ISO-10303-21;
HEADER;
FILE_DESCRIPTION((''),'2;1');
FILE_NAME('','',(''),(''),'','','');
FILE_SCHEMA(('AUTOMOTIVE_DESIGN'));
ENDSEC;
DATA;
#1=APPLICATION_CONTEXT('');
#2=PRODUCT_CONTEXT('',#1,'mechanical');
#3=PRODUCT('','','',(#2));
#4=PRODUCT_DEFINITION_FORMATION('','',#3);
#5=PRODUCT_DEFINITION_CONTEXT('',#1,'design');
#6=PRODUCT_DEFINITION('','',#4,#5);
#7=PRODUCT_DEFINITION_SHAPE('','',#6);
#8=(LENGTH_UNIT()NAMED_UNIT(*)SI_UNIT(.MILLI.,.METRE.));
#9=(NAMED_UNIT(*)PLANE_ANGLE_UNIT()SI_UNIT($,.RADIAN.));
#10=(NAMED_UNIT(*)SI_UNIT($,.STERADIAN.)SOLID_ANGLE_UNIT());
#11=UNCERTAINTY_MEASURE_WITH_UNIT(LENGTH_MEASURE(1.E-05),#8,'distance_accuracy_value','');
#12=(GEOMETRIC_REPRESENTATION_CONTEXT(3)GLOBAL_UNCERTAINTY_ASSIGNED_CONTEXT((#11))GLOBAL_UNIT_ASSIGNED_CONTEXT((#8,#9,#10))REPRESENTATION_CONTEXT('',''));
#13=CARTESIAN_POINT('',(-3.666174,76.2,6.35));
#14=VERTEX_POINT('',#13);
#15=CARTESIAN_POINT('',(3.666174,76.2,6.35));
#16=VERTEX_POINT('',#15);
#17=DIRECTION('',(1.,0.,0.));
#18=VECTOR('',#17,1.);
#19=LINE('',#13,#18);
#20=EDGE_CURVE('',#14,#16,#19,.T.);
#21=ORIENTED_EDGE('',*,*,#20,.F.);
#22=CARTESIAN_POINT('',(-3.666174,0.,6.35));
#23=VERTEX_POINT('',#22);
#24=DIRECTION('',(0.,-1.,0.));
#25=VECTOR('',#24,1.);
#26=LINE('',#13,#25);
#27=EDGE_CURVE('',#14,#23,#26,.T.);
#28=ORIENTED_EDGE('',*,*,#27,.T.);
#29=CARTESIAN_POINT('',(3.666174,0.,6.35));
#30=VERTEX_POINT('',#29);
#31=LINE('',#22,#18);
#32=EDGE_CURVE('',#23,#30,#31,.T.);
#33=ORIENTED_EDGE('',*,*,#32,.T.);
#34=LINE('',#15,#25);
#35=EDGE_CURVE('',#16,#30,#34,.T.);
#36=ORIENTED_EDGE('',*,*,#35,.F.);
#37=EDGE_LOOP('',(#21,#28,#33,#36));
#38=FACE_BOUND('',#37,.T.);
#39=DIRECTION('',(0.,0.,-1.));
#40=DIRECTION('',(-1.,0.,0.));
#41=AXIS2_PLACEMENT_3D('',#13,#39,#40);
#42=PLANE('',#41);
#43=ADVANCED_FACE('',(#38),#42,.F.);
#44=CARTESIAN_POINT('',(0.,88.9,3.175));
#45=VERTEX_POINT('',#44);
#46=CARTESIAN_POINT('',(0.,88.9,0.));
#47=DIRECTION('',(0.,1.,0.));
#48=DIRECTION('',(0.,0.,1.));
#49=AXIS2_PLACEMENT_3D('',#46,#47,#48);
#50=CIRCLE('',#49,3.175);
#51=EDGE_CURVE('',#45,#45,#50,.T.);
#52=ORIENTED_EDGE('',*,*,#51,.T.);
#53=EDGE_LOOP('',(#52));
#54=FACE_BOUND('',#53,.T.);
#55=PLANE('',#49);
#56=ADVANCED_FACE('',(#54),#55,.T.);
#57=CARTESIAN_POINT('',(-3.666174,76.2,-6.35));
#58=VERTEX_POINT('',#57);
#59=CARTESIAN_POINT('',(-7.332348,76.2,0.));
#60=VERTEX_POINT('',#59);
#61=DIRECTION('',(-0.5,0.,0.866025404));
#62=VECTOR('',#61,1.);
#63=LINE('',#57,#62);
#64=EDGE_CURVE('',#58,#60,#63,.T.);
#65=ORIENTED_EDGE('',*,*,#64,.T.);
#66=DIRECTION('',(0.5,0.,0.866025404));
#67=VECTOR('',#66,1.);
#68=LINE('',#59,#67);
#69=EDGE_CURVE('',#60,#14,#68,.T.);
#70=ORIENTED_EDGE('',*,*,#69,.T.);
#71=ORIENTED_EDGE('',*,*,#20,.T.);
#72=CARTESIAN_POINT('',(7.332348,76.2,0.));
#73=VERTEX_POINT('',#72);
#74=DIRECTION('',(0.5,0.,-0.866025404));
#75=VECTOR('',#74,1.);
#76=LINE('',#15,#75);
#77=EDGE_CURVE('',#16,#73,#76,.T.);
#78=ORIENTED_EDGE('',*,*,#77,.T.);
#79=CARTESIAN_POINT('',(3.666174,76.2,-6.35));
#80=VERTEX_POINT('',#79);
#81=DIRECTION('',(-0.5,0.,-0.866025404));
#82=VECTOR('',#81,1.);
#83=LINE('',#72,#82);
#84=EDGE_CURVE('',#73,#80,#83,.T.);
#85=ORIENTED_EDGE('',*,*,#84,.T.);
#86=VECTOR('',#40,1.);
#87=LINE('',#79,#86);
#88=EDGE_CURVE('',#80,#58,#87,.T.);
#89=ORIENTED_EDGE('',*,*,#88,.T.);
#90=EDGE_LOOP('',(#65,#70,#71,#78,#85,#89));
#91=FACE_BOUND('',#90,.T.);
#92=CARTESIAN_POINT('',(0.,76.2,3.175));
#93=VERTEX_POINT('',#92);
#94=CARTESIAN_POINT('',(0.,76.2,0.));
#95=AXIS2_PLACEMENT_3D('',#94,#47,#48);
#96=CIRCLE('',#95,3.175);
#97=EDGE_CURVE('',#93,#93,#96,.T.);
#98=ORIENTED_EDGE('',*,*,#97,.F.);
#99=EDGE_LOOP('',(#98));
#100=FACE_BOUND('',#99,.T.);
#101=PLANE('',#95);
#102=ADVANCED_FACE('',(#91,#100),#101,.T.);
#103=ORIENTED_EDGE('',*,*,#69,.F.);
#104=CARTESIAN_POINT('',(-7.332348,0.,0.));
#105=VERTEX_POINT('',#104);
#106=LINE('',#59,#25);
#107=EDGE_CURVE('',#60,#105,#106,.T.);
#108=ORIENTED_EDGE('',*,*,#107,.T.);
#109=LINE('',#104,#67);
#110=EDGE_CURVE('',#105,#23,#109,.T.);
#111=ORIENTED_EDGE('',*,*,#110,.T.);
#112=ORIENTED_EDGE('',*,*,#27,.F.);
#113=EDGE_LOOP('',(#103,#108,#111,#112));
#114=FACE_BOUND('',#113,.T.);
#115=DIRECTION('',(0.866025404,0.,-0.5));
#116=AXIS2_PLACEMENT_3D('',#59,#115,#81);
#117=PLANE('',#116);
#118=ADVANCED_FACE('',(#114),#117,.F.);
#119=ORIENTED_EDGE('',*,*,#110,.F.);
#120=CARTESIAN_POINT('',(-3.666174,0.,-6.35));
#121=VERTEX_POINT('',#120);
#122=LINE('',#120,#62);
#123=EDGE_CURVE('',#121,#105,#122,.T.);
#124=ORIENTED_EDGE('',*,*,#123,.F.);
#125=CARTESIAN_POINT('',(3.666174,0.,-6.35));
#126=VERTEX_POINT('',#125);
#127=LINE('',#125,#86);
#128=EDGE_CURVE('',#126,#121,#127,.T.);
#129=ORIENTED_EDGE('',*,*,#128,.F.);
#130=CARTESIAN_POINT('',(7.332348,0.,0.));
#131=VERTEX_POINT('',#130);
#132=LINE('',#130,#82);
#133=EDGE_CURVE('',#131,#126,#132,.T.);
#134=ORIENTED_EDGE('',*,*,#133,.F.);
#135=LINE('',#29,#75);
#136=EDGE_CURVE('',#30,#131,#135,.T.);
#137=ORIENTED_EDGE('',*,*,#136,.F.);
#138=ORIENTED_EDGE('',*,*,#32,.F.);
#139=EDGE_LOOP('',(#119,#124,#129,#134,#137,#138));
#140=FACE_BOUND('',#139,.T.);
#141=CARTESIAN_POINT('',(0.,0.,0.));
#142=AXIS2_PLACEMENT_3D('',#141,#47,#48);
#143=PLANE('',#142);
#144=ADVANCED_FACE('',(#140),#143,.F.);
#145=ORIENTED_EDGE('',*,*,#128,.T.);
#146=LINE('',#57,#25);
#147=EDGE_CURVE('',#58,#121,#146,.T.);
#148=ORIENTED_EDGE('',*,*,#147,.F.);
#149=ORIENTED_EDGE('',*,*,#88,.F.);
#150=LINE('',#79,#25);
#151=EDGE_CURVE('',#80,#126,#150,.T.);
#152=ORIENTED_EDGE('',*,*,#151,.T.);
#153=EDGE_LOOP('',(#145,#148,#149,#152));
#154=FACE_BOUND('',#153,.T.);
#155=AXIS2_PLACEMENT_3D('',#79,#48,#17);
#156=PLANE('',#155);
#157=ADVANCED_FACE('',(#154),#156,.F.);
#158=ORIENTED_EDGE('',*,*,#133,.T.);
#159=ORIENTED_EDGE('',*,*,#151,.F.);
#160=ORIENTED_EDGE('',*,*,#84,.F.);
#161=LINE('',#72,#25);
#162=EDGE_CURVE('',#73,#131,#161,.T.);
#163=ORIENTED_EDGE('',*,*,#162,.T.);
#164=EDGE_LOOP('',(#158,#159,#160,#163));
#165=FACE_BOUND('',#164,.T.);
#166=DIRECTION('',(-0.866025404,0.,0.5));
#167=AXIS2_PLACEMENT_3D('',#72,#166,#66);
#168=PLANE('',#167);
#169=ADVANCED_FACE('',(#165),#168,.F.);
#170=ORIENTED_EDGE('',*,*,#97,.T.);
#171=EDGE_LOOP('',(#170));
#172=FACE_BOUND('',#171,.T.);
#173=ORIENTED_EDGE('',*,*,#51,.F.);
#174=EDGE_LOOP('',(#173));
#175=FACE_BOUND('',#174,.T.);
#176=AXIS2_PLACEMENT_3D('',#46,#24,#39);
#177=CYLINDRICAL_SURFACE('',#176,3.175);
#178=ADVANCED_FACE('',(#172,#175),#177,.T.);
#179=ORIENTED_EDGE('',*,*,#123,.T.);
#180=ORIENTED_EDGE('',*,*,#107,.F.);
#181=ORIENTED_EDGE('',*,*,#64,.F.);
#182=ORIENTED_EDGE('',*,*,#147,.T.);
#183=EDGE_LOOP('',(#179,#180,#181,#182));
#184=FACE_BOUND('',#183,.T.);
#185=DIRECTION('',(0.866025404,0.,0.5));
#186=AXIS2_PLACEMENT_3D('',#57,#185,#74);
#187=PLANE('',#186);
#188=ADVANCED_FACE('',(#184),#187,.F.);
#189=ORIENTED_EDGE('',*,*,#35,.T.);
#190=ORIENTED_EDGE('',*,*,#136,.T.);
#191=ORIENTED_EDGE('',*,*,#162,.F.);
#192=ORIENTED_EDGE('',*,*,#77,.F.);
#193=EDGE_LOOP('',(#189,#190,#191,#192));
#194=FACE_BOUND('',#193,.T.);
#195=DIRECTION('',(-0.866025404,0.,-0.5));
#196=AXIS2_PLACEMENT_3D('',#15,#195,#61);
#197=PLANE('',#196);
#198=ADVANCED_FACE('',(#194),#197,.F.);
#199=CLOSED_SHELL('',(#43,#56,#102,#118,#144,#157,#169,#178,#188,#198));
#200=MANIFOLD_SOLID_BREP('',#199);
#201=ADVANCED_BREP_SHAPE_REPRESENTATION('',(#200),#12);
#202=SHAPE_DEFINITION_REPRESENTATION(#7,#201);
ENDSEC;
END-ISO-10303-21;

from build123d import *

# Parameters (mm, degrees)
BOSS_EXTRUDE1_DEPTH = 76.2
SKETCH2_R           = 3.175
BOSS_EXTRUDE2_DEPTH = 12.7


with BuildPart() as part:
    # Sketch1 → Boss-Extrude1 (new body)
    with BuildSketch(Plane(origin=(0, 0, 0), x_dir=(1, 0, 0), z_dir=(0, 1, 0))):
        Polygon((3.666174209, -6.35), (7.332348419, 0), (3.666174209, 6.35), (-3.666174209, 6.35), (-7.332348419, 0), (-3.666174209, -6.35), align=None)
    extrude(amount=BOSS_EXTRUDE1_DEPTH)

    # Sketch2 → Boss-Extrude2 (add)
    with BuildSketch(Plane(origin=(0, 76.2, 0), x_dir=(1, 0, 0), z_dir=(0, 1, 0))):
        with Locations(Location((0, 0, 0), (0, 0, 270))):
            Circle(SKETCH2_R)
    extrude(amount=BOSS_EXTRUDE2_DEPTH)


solid = part.part
